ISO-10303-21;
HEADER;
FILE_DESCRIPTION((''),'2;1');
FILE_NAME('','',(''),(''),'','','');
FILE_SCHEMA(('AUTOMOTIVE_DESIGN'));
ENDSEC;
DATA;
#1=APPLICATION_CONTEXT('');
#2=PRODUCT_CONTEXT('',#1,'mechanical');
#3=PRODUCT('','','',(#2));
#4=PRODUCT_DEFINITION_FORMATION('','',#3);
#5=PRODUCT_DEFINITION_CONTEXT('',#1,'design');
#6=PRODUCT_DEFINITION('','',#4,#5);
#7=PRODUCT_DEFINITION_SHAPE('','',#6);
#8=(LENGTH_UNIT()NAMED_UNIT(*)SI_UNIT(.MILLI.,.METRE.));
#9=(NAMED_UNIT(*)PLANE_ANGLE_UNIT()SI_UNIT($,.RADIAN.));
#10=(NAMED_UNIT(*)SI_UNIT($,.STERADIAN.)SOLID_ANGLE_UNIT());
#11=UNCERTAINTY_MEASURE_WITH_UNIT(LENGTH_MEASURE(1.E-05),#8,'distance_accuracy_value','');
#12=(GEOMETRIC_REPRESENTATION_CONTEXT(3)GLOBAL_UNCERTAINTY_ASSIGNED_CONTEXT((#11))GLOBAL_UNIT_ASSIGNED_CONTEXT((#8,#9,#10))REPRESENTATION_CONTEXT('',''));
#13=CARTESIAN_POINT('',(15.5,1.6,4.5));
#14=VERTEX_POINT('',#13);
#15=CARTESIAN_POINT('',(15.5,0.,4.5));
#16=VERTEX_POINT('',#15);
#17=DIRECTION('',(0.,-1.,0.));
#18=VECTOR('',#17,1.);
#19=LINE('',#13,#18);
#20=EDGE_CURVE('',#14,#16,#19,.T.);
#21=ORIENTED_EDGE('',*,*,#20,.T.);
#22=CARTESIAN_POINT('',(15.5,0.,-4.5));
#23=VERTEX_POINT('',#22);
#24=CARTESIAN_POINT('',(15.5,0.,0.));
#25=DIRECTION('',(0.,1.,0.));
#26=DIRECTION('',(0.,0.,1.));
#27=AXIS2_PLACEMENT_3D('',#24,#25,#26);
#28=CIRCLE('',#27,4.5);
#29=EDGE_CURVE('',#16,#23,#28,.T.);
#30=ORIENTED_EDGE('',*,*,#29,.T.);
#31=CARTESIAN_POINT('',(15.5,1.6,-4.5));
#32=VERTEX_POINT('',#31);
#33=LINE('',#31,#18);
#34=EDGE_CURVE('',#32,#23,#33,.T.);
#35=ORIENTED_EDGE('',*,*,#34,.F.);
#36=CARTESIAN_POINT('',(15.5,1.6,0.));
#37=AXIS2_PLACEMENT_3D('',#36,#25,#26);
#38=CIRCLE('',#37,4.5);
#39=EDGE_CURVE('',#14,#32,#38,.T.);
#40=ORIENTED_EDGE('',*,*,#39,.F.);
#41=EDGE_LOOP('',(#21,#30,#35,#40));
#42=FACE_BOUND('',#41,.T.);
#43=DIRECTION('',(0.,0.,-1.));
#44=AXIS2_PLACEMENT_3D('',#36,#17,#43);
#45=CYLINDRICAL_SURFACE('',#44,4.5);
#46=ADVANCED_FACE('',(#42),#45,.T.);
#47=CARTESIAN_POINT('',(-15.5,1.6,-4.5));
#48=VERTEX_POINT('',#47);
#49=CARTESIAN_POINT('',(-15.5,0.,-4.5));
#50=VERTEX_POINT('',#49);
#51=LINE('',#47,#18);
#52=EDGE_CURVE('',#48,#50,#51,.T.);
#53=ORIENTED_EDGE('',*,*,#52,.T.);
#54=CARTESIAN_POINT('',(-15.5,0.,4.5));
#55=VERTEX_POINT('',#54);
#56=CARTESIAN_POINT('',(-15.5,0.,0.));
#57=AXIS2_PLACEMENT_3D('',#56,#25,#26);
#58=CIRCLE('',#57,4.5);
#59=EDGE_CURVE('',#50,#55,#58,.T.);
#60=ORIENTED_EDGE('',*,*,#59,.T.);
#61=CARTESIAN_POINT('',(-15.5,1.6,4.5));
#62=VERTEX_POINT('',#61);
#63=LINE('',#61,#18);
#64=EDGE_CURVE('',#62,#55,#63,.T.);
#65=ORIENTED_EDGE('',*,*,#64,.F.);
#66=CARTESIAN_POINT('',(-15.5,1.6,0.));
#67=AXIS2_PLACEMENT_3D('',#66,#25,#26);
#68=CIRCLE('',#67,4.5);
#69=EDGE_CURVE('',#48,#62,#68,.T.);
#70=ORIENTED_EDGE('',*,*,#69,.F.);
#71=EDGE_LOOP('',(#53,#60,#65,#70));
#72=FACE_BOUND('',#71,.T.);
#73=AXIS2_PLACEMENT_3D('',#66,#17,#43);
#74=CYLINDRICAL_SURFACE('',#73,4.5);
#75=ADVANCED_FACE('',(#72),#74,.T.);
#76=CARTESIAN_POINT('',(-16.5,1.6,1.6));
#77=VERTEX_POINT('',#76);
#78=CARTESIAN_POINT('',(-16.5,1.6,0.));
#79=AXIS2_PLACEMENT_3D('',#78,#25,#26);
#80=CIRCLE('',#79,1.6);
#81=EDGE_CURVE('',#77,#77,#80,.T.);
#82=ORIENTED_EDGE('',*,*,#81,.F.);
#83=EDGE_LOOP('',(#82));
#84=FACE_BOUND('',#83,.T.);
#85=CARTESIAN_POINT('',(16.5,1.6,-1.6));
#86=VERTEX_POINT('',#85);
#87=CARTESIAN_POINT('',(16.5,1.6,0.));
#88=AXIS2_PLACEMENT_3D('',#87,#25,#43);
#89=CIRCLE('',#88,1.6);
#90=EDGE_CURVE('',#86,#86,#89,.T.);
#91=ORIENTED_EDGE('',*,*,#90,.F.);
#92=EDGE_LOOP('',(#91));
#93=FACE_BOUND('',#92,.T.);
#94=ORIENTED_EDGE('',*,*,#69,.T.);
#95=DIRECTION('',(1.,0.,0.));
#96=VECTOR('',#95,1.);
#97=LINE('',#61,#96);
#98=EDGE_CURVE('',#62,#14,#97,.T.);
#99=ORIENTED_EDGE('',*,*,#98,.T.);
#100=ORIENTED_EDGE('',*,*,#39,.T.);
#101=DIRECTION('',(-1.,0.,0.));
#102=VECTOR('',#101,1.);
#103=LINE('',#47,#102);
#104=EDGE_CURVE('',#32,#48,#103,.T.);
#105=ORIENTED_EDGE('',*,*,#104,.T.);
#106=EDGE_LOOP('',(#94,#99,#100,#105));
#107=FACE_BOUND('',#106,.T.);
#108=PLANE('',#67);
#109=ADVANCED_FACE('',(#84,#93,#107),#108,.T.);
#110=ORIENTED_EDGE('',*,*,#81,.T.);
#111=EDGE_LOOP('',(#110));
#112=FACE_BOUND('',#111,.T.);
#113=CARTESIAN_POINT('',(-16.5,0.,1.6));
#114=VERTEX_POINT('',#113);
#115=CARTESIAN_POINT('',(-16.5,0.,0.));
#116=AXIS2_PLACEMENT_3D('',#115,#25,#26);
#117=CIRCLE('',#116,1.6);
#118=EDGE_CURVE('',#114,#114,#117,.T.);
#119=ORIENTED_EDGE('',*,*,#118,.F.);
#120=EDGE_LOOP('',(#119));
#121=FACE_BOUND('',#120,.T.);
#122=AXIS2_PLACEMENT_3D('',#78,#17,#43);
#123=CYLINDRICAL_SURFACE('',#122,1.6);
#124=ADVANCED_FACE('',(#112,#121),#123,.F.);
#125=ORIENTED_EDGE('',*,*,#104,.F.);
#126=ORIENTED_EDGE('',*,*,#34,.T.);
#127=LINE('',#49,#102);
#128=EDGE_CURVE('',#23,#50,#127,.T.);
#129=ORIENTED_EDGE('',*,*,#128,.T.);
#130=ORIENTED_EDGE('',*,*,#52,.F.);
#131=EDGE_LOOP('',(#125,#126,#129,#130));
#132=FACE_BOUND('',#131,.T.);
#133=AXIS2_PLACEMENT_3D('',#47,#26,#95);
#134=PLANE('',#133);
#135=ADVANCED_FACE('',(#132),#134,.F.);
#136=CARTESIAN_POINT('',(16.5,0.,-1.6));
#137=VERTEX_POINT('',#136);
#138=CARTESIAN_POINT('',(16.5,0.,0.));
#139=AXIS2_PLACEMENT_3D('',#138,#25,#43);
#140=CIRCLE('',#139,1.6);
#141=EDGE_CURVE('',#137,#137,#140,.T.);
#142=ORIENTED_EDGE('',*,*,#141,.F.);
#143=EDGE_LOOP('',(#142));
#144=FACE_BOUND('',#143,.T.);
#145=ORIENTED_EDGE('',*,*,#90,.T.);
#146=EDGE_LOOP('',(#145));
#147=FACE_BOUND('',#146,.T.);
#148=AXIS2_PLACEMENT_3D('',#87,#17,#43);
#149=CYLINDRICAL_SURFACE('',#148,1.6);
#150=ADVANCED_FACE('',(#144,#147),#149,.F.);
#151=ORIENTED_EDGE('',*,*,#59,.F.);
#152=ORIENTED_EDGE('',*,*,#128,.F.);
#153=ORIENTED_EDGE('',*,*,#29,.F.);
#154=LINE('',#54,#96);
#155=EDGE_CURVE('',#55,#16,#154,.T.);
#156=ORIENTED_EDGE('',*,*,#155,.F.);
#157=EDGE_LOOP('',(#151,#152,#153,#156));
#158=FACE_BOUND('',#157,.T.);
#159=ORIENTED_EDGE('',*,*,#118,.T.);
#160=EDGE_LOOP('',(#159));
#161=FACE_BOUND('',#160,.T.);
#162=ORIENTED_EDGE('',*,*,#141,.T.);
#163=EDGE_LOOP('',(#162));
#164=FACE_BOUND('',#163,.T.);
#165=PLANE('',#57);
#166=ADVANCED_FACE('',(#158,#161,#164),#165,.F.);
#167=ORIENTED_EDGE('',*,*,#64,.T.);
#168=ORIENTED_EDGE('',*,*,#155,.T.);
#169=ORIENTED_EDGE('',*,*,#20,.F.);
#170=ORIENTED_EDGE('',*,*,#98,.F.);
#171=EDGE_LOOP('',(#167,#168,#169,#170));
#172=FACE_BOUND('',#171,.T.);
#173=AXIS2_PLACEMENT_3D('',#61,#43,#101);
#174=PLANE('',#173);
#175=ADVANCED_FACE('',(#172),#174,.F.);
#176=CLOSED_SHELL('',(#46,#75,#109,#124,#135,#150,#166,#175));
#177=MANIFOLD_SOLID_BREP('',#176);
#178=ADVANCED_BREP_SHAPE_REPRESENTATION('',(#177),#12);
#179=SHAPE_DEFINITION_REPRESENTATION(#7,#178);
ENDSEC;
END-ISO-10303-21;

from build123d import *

# Parameters (mm, degrees)
SKETCH_1_R      = 1.6
EXTRUDE_1_DEPTH = 1.6


with BuildPart() as part:
    # 草图1 → 凸台-拉伸1 (new body)
    with BuildSketch(Plane(origin=(0, 0, 0), x_dir=(1, 0, 0), z_dir=(0, 1, 0))):
        with BuildLine():
            Line((-15.5, 4.5), (15.5, 4.5))
            ThreePointArc((15.5, 4.5), (20, 0), (15.5, -4.5))
            Line((15.5, -4.5), (-15.5, -4.5))
            ThreePointArc((-15.5, -4.5), (-20, 0), (-15.5, 4.5))
        make_face()
        with Locations(Location((-16.5, 0, 0), (0, 0, 270))):
            Circle(SKETCH_1_R, mode=Mode.SUBTRACT)
        with Locations(Location((16.5, 0, 0), (0, 0, 90))):
            Circle(SKETCH_1_R, mode=Mode.SUBTRACT)
    extrude(amount=EXTRUDE_1_DEPTH)


solid = part.part
